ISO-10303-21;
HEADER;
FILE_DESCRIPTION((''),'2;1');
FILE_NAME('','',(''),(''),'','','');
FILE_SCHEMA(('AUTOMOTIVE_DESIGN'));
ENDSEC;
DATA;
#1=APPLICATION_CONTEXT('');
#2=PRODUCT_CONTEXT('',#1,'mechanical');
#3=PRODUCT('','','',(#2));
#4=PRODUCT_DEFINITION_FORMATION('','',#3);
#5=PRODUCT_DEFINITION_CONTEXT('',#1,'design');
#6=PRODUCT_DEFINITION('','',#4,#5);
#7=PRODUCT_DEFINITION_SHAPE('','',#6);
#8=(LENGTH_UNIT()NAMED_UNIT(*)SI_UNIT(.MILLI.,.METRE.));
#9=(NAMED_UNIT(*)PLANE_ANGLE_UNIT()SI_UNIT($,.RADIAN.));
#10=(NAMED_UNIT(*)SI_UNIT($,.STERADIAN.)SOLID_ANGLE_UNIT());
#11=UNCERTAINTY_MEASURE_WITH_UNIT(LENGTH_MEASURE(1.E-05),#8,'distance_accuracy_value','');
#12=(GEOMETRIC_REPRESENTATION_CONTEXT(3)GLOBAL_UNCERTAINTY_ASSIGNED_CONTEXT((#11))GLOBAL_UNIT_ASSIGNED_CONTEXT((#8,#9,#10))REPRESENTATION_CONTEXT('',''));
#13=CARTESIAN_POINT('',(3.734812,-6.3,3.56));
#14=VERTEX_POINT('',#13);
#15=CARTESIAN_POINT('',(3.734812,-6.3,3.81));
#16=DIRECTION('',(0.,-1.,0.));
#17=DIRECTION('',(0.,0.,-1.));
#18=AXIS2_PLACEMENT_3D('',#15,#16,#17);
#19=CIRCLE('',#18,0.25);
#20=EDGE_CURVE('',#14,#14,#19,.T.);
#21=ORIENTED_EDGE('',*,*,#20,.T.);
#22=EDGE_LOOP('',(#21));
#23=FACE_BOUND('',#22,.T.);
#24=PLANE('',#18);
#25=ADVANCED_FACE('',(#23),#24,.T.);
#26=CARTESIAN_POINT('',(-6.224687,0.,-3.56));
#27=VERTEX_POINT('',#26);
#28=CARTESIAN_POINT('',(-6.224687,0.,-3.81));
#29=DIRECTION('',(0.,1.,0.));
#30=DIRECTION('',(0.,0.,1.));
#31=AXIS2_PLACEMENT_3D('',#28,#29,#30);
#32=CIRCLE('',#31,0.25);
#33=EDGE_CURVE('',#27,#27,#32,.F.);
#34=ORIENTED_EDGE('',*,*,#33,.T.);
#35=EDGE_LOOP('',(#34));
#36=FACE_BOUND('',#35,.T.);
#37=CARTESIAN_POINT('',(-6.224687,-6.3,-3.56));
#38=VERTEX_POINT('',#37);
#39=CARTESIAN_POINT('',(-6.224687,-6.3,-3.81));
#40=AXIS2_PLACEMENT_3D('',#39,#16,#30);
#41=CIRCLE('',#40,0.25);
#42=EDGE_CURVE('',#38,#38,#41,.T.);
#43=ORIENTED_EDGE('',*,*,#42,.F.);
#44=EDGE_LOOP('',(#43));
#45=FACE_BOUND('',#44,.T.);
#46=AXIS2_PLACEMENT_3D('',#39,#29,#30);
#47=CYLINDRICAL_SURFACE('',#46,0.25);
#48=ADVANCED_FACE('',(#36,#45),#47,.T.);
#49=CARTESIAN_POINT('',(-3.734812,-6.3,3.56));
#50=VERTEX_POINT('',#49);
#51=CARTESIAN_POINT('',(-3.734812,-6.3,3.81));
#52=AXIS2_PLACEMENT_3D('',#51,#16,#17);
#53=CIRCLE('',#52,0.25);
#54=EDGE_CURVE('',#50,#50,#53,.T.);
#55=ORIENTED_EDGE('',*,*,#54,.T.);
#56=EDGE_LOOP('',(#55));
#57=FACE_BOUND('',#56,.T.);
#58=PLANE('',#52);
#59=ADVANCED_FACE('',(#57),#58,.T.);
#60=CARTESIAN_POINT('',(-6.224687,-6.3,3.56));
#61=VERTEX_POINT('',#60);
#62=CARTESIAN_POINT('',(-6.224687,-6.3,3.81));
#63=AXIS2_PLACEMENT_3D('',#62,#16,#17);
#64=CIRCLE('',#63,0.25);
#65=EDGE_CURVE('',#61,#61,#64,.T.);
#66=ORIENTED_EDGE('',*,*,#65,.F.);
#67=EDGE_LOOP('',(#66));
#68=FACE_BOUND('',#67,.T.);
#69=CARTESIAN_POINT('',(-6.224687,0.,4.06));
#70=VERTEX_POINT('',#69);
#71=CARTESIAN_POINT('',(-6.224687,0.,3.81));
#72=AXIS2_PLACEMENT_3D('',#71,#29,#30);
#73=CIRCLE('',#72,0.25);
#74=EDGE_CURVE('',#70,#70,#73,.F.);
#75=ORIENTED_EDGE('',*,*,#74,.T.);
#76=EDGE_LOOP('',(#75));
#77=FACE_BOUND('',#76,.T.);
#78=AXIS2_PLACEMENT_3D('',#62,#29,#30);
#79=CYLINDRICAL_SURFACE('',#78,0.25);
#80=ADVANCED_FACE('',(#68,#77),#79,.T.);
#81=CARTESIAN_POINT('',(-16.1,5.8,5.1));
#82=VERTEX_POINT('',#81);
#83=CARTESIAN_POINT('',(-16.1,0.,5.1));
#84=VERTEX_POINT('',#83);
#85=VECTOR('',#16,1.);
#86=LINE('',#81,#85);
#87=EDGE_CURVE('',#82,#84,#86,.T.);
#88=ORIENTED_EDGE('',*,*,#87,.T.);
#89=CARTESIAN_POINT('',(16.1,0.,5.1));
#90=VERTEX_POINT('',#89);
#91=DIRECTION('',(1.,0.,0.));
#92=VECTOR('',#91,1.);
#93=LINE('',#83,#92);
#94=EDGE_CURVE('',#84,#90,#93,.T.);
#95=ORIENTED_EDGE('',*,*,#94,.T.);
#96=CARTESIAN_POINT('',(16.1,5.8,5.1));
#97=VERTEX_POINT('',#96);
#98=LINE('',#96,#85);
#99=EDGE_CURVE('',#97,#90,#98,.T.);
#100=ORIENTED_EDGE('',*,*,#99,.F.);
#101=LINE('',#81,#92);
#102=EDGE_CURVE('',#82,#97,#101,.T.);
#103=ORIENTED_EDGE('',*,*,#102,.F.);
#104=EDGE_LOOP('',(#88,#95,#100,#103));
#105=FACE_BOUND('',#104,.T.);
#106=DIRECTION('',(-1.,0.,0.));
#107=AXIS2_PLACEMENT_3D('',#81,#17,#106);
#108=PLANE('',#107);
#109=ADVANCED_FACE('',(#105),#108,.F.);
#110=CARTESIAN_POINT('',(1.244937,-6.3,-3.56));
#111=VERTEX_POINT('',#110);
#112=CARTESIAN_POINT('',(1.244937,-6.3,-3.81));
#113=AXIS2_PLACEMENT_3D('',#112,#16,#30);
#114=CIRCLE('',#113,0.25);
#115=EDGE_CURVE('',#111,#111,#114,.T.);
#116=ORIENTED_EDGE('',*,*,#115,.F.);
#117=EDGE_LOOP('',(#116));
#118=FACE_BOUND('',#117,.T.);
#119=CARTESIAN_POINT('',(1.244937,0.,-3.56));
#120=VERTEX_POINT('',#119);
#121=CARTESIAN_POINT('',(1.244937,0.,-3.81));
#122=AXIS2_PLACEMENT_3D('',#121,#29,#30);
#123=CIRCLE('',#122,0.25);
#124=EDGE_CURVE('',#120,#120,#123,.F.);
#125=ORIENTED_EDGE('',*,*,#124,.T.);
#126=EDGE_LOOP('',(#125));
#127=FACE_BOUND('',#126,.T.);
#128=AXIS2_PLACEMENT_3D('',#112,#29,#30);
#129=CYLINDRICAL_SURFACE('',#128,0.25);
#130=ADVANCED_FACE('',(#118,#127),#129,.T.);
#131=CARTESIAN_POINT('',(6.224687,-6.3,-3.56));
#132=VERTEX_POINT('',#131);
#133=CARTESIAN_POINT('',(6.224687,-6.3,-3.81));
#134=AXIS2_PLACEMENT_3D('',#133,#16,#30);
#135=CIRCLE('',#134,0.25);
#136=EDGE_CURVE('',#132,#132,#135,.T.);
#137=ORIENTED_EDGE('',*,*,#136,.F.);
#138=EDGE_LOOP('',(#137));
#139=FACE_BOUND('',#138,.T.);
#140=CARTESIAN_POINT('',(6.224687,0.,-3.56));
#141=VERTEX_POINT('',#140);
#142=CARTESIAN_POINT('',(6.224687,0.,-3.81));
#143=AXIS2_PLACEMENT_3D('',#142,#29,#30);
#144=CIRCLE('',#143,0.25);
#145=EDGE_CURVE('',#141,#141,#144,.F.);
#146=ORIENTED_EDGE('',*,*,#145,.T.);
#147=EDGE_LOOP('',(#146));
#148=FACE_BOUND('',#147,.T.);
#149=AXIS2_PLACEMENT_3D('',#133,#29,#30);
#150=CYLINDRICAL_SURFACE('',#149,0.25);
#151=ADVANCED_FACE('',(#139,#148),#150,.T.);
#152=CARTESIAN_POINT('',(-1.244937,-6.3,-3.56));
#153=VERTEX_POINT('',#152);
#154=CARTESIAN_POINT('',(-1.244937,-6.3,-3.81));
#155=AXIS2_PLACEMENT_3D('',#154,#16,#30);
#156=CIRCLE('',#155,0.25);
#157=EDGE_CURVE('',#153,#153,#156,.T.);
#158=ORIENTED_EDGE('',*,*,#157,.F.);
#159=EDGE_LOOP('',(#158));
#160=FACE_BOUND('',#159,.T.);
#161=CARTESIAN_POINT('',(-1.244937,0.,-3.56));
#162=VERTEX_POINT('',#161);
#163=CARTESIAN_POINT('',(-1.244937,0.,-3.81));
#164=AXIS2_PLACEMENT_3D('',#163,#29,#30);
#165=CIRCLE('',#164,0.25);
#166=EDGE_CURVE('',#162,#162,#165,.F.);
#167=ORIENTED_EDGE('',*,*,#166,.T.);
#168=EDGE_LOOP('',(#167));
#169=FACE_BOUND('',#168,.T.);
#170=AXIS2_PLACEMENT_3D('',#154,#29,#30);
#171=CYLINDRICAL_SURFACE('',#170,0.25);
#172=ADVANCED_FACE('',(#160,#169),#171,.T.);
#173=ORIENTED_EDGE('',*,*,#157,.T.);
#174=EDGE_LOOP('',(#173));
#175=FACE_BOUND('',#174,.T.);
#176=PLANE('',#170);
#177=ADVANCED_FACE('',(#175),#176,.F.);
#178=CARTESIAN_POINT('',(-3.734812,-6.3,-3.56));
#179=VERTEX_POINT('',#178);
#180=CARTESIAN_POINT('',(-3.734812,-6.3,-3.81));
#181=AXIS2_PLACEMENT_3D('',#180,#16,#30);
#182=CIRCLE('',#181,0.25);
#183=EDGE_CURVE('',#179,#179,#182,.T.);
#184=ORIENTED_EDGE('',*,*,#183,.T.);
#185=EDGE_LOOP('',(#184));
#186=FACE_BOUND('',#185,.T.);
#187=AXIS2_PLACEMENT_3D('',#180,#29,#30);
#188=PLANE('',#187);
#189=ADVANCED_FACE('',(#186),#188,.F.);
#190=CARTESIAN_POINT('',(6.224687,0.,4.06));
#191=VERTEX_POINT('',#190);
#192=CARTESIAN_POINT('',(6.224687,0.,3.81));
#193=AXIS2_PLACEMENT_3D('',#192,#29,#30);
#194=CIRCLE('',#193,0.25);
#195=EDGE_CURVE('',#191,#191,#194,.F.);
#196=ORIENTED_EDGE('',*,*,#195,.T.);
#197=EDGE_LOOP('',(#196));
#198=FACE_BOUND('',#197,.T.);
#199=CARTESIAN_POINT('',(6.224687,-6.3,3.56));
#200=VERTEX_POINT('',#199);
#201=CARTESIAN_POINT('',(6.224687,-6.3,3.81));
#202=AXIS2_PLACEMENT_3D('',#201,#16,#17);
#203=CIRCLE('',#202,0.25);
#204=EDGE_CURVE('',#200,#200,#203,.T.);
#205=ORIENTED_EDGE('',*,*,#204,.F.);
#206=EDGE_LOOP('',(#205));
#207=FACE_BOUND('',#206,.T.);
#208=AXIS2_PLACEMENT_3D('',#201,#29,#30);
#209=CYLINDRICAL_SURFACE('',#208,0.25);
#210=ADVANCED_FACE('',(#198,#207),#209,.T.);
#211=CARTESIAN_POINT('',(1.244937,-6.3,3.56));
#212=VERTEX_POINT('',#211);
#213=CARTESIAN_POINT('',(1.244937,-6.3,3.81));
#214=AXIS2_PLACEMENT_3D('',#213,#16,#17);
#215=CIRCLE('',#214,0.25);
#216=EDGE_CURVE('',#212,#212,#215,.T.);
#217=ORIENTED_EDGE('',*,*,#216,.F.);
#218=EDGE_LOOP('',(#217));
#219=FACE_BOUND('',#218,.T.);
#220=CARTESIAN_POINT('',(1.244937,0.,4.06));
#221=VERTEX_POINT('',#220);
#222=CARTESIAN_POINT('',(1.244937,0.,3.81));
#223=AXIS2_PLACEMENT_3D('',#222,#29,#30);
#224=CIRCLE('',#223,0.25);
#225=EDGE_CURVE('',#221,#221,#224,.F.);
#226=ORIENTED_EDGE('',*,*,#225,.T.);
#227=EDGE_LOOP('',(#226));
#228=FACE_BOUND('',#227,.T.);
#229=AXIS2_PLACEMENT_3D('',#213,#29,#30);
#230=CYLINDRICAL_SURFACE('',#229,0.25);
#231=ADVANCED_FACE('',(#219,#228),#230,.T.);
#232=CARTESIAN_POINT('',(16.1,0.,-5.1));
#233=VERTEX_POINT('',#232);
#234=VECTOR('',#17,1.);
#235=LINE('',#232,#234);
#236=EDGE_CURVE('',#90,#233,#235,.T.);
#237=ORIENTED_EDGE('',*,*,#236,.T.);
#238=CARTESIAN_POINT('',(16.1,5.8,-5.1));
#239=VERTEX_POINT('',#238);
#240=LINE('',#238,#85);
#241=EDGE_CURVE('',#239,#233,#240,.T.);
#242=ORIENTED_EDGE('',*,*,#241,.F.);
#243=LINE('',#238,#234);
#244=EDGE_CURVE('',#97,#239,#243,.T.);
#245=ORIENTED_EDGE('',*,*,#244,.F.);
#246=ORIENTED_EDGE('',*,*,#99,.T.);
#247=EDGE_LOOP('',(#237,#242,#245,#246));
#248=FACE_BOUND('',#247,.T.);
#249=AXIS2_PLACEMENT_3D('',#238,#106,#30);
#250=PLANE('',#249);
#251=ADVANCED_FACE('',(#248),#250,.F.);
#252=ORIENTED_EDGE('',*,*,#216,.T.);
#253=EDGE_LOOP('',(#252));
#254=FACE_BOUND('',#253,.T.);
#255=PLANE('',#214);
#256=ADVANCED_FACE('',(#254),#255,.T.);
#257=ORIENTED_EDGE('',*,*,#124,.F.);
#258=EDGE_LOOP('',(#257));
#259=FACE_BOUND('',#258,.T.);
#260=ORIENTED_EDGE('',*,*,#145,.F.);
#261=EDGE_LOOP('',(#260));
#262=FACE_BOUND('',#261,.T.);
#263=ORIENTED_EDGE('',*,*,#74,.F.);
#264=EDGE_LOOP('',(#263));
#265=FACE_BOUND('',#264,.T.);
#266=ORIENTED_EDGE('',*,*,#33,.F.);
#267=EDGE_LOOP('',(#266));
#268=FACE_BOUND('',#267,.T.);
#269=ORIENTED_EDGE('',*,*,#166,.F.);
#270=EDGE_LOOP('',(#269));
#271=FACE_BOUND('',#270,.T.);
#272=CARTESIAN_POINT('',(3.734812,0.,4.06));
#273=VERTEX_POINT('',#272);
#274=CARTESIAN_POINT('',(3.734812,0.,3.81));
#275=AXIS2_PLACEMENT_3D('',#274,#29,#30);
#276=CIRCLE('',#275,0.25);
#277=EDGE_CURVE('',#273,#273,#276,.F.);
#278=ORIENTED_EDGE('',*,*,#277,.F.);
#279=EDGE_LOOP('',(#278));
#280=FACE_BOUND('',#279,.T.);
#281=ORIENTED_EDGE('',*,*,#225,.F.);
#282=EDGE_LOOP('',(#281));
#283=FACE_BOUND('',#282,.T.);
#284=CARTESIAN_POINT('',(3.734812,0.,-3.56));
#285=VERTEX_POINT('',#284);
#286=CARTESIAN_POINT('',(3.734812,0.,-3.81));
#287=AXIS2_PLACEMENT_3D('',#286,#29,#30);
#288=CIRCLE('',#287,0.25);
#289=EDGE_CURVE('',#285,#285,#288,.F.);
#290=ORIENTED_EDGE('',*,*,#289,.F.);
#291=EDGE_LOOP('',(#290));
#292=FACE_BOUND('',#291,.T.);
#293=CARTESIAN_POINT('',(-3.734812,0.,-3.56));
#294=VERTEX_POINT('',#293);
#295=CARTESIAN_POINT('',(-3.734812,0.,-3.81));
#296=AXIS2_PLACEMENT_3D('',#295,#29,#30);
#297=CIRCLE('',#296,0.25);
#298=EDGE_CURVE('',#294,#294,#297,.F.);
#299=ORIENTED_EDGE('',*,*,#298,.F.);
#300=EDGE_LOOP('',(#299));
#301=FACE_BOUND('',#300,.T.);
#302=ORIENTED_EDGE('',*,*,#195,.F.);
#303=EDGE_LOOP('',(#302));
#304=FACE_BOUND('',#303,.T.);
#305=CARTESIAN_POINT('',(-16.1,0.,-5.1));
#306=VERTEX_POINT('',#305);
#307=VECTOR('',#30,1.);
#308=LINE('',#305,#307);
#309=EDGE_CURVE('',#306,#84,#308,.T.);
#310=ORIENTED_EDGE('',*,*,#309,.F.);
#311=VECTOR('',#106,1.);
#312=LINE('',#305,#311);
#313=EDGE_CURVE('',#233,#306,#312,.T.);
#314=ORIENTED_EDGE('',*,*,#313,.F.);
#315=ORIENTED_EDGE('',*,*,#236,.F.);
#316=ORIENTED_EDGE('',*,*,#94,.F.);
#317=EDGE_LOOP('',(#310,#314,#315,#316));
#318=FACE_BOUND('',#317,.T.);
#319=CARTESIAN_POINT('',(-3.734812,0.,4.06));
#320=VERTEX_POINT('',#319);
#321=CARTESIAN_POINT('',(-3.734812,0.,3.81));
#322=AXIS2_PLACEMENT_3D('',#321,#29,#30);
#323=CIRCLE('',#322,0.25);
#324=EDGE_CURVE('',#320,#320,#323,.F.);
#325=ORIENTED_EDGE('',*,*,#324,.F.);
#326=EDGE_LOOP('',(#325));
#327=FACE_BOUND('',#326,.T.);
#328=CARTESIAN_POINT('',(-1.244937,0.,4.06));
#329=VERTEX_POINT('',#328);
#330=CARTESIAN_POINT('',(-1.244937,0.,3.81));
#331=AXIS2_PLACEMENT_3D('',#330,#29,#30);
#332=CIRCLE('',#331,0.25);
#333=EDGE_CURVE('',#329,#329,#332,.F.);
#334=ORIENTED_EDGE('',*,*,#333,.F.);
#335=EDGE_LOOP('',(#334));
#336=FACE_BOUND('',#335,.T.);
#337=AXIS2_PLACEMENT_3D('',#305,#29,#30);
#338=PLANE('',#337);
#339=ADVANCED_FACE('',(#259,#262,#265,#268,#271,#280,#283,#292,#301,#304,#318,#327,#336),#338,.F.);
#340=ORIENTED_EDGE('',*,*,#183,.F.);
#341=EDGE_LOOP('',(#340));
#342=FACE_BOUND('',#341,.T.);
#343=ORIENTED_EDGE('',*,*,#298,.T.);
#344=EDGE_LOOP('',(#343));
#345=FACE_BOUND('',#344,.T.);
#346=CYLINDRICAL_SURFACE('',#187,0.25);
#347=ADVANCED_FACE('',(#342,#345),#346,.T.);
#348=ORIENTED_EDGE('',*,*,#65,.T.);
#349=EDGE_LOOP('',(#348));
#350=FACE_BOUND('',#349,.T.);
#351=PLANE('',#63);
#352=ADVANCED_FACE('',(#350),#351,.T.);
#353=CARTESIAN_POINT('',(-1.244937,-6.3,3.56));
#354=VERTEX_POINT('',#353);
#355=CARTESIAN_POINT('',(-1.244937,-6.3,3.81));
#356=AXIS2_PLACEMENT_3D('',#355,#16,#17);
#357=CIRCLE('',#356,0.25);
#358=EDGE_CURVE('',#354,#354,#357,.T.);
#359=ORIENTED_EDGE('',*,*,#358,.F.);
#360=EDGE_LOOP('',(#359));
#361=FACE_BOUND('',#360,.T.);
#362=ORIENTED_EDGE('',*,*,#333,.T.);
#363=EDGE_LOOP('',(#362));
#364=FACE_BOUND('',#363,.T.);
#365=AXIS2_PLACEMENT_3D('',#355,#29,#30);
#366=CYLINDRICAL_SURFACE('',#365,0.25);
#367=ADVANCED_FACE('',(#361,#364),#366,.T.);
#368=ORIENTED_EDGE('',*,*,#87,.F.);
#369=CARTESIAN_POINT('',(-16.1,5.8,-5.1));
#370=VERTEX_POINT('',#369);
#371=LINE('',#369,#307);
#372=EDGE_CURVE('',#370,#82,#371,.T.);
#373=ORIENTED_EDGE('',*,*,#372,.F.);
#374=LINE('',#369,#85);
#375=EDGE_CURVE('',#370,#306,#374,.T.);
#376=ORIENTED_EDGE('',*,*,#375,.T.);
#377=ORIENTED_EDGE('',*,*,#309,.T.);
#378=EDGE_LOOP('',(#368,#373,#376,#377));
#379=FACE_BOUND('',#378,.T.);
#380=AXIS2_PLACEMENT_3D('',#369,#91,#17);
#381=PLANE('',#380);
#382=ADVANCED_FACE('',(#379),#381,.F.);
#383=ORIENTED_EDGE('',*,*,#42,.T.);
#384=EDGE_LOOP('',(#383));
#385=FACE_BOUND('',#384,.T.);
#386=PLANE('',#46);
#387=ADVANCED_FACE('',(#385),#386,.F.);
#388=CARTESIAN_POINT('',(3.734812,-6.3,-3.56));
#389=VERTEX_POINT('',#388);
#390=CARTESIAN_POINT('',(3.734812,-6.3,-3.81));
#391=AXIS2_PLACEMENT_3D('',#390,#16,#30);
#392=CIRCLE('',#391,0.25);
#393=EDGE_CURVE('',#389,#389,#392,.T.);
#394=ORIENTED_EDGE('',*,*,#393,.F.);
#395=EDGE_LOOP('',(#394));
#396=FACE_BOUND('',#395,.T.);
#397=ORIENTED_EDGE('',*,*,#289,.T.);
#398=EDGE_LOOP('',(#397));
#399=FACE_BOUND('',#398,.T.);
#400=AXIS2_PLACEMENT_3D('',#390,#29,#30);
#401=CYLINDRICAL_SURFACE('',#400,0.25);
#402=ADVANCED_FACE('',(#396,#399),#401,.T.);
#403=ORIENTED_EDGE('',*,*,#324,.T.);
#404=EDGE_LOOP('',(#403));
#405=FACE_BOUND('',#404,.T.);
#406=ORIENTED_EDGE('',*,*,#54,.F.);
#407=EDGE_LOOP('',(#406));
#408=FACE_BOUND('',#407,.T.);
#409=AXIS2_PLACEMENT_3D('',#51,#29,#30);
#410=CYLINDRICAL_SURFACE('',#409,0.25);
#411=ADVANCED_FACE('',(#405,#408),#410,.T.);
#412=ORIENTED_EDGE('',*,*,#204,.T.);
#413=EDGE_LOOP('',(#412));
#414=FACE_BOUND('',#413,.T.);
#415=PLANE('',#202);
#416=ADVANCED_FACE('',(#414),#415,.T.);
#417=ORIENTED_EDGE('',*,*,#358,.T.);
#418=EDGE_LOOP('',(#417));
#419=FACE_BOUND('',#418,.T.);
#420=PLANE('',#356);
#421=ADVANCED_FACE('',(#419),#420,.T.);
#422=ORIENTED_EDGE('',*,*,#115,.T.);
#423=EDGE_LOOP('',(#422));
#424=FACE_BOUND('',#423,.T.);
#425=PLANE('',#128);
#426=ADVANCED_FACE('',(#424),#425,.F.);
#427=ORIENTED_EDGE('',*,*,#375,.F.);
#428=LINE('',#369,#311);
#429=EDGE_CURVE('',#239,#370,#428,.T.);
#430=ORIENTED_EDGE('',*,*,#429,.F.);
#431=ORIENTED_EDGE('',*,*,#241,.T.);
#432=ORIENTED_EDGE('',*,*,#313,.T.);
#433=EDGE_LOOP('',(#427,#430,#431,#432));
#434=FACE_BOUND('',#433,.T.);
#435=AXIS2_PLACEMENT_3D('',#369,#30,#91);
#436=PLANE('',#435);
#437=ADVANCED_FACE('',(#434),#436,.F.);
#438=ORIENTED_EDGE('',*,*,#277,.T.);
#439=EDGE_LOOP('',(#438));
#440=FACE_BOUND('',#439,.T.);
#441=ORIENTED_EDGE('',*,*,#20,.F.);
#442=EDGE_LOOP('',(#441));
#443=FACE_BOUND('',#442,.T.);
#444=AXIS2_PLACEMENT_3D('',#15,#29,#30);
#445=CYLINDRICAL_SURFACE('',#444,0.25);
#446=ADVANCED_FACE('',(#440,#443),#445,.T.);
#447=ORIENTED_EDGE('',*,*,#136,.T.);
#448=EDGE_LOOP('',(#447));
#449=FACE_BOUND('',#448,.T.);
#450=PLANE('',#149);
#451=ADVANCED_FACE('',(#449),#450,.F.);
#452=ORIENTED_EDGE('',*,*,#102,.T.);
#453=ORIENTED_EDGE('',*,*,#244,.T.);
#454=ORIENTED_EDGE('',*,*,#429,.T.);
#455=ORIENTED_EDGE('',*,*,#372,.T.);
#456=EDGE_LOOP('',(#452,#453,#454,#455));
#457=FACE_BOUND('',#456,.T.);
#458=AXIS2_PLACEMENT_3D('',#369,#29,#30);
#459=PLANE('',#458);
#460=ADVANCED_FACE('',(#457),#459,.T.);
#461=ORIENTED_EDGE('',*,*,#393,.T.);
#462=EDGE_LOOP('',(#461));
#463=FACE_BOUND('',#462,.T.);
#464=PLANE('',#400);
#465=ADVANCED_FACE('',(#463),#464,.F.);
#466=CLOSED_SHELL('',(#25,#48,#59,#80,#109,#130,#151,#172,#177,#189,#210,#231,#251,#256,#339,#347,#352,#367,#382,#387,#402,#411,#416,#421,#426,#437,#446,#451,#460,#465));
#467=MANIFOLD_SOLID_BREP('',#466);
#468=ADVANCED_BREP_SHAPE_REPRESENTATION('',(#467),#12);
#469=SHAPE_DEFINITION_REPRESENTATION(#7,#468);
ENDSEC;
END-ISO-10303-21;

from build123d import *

# Parameters (mm, degrees)
SKETCH_1_W      = 32.2
SKETCH_1_H      = 10.2
EXTRUDE_1_DEPTH = 5.8
SKETCH_2_R      = 0.25
EXTRUDE_2_DEPTH = 6.3


with BuildPart() as part:
    # 草图1 → 拉伸1 (new body)
    with BuildSketch(Plane(origin=(0, 0, 0), x_dir=(1, 0, 0), z_dir=(0, 1, 0))):
        Rectangle(SKETCH_1_W, SKETCH_1_H)
    extrude(amount=EXTRUDE_1_DEPTH)

    # 草图2 → 拉伸2 (add)
    with BuildSketch(Plane.XZ):
        with Locations(Location((6.224686657, 3.81, 0), (0, 0, 90))):
            Circle(SKETCH_2_R)
        with Locations(Location((3.734811994, 3.81, 0), (0, 0, 90))):
            Circle(SKETCH_2_R)
        with Locations(Location((1.244937331, 3.81, 0), (0, 0, 90))):
            Circle(SKETCH_2_R)
        with Locations(Location((-1.244937331, 3.81, 0), (0, 0, 90))):
            Circle(SKETCH_2_R)
        with Locations(Location((-3.734811994, 3.81, 0), (0, 0, 90))):
            Circle(SKETCH_2_R)
        with Locations(Location((-6.224686657, 3.81, 0), (0, 0, 90))):
            Circle(SKETCH_2_R)
        with Locations(Location((-6.224686657, -3.81, 0), (0, 0, 90))):
            Circle(SKETCH_2_R)
        with Locations(Location((-3.734811994, -3.81, 0), (0, 0, 90))):
            Circle(SKETCH_2_R)
        with Locations(Location((-1.244937331, -3.81, 0), (0, 0, 90))):
            Circle(SKETCH_2_R)
        with Locations(Location((1.244937331, -3.81, 0), (0, 0, 90))):
            Circle(SKETCH_2_R)
        with Locations(Location((3.734811994, -3.81, 0), (0, 0, 90))):
            Circle(SKETCH_2_R)
        with Locations(Location((6.224686657, -3.81, 0), (0, 0, 90))):
            Circle(SKETCH_2_R)
    extrude(amount=EXTRUDE_2_DEPTH)


solid = part.part
